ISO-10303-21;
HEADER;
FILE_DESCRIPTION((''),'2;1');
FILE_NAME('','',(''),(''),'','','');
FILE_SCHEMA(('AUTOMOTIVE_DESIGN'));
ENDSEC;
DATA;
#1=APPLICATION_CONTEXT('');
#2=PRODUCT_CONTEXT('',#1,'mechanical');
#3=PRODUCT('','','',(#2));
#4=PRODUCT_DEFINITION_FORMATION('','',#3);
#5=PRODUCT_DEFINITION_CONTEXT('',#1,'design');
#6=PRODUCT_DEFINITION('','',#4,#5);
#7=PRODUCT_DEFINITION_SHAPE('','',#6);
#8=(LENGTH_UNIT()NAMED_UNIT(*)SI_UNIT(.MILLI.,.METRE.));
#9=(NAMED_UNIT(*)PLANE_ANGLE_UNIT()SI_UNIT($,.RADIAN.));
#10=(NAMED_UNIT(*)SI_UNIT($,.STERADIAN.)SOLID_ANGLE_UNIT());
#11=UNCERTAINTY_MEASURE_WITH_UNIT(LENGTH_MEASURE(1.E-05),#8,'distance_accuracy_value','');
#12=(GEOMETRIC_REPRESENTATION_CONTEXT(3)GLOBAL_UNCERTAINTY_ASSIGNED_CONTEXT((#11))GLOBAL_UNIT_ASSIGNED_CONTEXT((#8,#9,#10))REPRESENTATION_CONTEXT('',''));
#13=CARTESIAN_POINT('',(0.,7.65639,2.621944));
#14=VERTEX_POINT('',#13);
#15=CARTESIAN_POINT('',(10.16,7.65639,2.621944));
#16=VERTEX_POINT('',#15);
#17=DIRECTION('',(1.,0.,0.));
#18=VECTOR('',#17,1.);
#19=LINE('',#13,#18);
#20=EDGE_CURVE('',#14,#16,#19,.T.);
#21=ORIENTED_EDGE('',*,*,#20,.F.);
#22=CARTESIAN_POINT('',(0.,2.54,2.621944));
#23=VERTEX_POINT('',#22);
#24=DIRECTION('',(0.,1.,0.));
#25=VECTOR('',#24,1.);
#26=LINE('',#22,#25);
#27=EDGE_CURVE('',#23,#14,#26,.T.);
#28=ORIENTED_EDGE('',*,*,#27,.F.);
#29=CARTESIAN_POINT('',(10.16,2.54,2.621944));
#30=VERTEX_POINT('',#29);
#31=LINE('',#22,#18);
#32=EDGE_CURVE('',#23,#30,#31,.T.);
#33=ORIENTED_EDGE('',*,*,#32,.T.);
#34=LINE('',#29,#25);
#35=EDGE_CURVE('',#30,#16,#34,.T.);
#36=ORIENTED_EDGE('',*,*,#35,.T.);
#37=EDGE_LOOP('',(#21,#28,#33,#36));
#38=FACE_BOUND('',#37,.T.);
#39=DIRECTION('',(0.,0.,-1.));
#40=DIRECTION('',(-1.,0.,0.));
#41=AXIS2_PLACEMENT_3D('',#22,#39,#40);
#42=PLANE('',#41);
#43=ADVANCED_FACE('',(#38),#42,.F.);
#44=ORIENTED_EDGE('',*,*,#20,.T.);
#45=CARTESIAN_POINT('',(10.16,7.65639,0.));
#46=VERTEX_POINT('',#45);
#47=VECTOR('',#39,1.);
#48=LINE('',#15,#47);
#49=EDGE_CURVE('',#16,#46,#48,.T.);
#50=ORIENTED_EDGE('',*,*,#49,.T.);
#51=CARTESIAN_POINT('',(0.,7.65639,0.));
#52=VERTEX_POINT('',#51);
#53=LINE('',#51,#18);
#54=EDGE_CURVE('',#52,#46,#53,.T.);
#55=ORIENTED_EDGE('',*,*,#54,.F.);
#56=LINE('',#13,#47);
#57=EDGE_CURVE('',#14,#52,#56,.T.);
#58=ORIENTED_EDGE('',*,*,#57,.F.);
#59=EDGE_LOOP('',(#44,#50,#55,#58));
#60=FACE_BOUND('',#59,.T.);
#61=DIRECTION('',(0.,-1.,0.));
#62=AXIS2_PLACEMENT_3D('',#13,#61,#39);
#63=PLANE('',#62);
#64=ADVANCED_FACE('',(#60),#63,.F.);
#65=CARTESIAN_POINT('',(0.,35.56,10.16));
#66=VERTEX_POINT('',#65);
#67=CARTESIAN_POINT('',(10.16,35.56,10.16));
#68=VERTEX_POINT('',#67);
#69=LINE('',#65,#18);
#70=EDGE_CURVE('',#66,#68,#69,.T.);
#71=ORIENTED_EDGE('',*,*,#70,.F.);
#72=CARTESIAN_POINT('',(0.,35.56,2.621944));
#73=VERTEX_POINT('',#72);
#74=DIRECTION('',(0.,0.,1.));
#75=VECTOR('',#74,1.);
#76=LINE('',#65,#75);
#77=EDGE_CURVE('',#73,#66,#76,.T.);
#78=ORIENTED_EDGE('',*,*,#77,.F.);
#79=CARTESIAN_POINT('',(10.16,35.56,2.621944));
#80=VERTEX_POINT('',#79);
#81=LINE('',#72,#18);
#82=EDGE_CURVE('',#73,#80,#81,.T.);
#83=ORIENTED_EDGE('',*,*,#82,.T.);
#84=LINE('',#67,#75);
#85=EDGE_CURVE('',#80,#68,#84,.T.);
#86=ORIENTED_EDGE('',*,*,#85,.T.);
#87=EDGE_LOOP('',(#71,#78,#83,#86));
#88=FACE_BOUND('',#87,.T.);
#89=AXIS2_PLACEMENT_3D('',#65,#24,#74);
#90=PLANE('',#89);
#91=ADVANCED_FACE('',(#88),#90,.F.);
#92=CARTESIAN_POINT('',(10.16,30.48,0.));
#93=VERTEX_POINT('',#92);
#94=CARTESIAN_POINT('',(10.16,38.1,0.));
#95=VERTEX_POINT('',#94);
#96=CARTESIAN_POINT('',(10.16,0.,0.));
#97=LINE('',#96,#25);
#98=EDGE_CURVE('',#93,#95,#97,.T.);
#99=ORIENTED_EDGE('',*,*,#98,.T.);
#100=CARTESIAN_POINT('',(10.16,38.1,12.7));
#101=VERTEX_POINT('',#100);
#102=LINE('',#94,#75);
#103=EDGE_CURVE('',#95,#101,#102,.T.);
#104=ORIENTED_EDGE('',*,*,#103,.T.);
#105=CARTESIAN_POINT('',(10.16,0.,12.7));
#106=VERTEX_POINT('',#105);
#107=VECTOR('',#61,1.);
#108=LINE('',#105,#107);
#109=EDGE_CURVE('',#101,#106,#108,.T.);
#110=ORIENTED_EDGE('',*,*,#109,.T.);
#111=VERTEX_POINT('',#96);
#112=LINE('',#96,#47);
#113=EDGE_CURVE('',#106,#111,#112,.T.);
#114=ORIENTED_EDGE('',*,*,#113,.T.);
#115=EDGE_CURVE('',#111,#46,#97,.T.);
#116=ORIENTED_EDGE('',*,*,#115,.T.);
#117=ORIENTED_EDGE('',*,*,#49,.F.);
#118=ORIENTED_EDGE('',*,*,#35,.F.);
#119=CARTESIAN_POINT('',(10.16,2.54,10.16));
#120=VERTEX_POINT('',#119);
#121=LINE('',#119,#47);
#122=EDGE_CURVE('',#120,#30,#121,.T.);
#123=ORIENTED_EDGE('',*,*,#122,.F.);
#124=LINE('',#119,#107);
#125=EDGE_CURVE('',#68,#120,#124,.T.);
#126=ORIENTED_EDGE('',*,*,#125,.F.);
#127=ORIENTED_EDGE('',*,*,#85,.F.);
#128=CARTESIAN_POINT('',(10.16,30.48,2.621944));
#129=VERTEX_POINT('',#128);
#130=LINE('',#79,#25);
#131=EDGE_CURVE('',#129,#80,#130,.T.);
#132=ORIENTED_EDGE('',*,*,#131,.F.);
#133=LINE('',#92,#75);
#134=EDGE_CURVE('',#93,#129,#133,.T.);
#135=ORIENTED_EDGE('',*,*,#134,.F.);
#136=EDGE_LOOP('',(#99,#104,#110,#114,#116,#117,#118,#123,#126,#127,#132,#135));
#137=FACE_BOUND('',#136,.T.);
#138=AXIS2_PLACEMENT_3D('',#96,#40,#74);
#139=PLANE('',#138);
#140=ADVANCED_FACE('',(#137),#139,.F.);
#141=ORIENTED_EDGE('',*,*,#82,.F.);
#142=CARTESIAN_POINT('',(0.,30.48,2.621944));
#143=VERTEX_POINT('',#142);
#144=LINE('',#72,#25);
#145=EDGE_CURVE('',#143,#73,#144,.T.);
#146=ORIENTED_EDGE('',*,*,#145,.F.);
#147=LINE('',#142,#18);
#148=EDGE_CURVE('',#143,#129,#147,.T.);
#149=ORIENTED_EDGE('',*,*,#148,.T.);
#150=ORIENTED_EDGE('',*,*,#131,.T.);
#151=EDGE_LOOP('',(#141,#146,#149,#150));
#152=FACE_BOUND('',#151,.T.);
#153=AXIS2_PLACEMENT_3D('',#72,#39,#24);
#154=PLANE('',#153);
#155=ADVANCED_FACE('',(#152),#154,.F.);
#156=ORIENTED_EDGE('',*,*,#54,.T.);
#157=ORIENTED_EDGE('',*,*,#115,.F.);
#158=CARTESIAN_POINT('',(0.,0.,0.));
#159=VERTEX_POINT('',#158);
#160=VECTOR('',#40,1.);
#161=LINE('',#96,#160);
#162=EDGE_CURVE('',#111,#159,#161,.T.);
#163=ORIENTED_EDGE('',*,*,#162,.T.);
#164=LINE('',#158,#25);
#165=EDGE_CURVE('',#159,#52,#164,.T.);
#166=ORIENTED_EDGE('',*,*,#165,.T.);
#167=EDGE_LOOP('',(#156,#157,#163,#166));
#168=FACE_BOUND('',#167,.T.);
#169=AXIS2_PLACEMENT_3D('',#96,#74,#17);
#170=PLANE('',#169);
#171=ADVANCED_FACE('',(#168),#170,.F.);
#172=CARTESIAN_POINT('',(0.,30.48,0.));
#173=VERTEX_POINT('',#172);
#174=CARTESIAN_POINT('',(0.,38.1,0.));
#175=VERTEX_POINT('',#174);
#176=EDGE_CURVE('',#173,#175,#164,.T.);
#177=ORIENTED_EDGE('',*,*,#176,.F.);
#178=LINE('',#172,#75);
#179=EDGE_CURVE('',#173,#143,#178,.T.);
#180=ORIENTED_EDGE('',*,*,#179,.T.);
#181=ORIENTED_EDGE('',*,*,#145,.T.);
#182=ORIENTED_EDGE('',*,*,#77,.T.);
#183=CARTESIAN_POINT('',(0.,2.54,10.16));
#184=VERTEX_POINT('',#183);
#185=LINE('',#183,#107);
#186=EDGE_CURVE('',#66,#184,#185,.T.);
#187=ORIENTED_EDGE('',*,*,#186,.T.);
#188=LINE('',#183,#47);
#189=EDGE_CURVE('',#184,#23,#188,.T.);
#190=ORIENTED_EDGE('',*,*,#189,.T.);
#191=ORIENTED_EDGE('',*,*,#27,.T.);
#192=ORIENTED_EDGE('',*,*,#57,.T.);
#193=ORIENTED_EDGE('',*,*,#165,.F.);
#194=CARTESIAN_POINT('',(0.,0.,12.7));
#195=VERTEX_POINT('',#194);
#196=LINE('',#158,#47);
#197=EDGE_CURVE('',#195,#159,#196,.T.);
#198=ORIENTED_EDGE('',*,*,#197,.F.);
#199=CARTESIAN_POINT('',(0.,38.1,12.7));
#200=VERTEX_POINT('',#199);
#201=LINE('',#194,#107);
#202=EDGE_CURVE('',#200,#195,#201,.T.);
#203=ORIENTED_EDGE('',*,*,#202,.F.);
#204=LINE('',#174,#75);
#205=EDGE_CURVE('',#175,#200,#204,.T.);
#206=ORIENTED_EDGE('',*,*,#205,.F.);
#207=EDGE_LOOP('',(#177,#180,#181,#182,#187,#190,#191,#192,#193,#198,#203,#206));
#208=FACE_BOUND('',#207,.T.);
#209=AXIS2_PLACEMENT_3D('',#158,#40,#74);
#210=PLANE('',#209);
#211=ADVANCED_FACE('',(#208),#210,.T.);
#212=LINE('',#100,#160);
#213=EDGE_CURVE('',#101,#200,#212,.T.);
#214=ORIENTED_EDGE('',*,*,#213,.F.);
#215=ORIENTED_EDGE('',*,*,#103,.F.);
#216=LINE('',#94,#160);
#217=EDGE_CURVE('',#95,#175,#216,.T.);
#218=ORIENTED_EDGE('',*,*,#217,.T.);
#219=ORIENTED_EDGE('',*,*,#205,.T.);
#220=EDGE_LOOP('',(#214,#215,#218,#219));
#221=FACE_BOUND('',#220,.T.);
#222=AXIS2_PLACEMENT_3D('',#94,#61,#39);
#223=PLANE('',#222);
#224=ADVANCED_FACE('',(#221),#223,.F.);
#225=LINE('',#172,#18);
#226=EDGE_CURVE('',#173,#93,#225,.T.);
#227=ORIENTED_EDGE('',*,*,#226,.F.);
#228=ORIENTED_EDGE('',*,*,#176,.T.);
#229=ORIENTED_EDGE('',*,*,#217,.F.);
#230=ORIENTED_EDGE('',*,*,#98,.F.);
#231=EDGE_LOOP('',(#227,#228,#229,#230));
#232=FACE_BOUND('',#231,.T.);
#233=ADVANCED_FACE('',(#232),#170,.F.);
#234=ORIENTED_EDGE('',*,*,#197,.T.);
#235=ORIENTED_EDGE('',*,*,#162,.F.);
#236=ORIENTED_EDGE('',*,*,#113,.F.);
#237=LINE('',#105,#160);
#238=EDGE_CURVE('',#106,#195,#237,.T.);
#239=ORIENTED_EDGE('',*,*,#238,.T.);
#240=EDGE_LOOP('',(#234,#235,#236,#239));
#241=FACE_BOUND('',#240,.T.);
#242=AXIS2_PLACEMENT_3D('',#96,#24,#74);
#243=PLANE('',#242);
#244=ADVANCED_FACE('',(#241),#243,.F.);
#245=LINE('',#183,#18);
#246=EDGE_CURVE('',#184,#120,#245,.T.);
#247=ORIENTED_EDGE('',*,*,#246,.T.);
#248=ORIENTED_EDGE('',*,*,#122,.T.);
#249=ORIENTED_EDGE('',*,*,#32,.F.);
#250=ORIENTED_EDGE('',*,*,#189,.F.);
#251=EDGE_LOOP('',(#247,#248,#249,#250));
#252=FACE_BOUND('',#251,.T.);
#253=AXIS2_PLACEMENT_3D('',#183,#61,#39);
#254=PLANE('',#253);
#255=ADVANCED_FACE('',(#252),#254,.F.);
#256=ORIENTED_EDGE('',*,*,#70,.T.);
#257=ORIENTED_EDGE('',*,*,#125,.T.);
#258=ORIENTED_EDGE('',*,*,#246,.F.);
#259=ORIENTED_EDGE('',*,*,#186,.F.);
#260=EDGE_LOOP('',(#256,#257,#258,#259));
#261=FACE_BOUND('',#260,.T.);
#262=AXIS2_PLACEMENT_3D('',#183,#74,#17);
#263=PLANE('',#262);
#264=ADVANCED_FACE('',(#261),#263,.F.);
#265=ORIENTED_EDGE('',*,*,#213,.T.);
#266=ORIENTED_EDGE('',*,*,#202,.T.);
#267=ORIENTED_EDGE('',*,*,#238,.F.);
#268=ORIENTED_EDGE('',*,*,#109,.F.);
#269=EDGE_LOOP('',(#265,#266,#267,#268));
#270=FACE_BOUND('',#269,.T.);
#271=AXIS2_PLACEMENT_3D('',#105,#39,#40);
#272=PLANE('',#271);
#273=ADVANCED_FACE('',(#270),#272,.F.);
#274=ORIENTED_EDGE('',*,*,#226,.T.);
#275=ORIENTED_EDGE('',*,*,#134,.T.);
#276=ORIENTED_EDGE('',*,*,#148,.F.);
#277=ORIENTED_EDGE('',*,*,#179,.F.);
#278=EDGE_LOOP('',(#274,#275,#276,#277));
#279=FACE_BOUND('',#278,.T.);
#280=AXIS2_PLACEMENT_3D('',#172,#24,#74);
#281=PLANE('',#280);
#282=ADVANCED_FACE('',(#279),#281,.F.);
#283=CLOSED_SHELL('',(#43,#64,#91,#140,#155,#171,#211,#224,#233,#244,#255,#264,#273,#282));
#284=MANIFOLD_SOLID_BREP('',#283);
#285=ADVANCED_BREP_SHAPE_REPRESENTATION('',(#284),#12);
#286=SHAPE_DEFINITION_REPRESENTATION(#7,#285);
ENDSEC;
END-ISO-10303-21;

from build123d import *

# Parameters (mm, degrees)
SKETCH1_W           = 38.1
SKETCH1_H           = 12.7
BOSS_EXTRUDE1_DEPTH = 10.16
CUT_EXTRUDE1_DEPTH  = 10.16


with BuildPart() as part:
    # Sketch1 → Boss-Extrude1 (new body)
    with BuildSketch(Plane.YZ):
        with Locations((19.05, 6.35)):
            Rectangle(SKETCH1_W, SKETCH1_H)
    extrude(amount=BOSS_EXTRUDE1_DEPTH)

    # Sketch2 → Cut-Extrude1 (cut)
    with BuildSketch(Plane.YZ.offset(10.16)):
        Polygon((2.54, 10.16), (35.56, 10.16), (35.56, 2.621943929), (30.48, 2.621943929), (30.48, 0), (7.656390435, 0), (7.656390435, 2.621943929), (2.54, 2.621943929), align=None)
    extrude(amount=-CUT_EXTRUDE1_DEPTH, mode=Mode.SUBTRACT)


solid = part.part
